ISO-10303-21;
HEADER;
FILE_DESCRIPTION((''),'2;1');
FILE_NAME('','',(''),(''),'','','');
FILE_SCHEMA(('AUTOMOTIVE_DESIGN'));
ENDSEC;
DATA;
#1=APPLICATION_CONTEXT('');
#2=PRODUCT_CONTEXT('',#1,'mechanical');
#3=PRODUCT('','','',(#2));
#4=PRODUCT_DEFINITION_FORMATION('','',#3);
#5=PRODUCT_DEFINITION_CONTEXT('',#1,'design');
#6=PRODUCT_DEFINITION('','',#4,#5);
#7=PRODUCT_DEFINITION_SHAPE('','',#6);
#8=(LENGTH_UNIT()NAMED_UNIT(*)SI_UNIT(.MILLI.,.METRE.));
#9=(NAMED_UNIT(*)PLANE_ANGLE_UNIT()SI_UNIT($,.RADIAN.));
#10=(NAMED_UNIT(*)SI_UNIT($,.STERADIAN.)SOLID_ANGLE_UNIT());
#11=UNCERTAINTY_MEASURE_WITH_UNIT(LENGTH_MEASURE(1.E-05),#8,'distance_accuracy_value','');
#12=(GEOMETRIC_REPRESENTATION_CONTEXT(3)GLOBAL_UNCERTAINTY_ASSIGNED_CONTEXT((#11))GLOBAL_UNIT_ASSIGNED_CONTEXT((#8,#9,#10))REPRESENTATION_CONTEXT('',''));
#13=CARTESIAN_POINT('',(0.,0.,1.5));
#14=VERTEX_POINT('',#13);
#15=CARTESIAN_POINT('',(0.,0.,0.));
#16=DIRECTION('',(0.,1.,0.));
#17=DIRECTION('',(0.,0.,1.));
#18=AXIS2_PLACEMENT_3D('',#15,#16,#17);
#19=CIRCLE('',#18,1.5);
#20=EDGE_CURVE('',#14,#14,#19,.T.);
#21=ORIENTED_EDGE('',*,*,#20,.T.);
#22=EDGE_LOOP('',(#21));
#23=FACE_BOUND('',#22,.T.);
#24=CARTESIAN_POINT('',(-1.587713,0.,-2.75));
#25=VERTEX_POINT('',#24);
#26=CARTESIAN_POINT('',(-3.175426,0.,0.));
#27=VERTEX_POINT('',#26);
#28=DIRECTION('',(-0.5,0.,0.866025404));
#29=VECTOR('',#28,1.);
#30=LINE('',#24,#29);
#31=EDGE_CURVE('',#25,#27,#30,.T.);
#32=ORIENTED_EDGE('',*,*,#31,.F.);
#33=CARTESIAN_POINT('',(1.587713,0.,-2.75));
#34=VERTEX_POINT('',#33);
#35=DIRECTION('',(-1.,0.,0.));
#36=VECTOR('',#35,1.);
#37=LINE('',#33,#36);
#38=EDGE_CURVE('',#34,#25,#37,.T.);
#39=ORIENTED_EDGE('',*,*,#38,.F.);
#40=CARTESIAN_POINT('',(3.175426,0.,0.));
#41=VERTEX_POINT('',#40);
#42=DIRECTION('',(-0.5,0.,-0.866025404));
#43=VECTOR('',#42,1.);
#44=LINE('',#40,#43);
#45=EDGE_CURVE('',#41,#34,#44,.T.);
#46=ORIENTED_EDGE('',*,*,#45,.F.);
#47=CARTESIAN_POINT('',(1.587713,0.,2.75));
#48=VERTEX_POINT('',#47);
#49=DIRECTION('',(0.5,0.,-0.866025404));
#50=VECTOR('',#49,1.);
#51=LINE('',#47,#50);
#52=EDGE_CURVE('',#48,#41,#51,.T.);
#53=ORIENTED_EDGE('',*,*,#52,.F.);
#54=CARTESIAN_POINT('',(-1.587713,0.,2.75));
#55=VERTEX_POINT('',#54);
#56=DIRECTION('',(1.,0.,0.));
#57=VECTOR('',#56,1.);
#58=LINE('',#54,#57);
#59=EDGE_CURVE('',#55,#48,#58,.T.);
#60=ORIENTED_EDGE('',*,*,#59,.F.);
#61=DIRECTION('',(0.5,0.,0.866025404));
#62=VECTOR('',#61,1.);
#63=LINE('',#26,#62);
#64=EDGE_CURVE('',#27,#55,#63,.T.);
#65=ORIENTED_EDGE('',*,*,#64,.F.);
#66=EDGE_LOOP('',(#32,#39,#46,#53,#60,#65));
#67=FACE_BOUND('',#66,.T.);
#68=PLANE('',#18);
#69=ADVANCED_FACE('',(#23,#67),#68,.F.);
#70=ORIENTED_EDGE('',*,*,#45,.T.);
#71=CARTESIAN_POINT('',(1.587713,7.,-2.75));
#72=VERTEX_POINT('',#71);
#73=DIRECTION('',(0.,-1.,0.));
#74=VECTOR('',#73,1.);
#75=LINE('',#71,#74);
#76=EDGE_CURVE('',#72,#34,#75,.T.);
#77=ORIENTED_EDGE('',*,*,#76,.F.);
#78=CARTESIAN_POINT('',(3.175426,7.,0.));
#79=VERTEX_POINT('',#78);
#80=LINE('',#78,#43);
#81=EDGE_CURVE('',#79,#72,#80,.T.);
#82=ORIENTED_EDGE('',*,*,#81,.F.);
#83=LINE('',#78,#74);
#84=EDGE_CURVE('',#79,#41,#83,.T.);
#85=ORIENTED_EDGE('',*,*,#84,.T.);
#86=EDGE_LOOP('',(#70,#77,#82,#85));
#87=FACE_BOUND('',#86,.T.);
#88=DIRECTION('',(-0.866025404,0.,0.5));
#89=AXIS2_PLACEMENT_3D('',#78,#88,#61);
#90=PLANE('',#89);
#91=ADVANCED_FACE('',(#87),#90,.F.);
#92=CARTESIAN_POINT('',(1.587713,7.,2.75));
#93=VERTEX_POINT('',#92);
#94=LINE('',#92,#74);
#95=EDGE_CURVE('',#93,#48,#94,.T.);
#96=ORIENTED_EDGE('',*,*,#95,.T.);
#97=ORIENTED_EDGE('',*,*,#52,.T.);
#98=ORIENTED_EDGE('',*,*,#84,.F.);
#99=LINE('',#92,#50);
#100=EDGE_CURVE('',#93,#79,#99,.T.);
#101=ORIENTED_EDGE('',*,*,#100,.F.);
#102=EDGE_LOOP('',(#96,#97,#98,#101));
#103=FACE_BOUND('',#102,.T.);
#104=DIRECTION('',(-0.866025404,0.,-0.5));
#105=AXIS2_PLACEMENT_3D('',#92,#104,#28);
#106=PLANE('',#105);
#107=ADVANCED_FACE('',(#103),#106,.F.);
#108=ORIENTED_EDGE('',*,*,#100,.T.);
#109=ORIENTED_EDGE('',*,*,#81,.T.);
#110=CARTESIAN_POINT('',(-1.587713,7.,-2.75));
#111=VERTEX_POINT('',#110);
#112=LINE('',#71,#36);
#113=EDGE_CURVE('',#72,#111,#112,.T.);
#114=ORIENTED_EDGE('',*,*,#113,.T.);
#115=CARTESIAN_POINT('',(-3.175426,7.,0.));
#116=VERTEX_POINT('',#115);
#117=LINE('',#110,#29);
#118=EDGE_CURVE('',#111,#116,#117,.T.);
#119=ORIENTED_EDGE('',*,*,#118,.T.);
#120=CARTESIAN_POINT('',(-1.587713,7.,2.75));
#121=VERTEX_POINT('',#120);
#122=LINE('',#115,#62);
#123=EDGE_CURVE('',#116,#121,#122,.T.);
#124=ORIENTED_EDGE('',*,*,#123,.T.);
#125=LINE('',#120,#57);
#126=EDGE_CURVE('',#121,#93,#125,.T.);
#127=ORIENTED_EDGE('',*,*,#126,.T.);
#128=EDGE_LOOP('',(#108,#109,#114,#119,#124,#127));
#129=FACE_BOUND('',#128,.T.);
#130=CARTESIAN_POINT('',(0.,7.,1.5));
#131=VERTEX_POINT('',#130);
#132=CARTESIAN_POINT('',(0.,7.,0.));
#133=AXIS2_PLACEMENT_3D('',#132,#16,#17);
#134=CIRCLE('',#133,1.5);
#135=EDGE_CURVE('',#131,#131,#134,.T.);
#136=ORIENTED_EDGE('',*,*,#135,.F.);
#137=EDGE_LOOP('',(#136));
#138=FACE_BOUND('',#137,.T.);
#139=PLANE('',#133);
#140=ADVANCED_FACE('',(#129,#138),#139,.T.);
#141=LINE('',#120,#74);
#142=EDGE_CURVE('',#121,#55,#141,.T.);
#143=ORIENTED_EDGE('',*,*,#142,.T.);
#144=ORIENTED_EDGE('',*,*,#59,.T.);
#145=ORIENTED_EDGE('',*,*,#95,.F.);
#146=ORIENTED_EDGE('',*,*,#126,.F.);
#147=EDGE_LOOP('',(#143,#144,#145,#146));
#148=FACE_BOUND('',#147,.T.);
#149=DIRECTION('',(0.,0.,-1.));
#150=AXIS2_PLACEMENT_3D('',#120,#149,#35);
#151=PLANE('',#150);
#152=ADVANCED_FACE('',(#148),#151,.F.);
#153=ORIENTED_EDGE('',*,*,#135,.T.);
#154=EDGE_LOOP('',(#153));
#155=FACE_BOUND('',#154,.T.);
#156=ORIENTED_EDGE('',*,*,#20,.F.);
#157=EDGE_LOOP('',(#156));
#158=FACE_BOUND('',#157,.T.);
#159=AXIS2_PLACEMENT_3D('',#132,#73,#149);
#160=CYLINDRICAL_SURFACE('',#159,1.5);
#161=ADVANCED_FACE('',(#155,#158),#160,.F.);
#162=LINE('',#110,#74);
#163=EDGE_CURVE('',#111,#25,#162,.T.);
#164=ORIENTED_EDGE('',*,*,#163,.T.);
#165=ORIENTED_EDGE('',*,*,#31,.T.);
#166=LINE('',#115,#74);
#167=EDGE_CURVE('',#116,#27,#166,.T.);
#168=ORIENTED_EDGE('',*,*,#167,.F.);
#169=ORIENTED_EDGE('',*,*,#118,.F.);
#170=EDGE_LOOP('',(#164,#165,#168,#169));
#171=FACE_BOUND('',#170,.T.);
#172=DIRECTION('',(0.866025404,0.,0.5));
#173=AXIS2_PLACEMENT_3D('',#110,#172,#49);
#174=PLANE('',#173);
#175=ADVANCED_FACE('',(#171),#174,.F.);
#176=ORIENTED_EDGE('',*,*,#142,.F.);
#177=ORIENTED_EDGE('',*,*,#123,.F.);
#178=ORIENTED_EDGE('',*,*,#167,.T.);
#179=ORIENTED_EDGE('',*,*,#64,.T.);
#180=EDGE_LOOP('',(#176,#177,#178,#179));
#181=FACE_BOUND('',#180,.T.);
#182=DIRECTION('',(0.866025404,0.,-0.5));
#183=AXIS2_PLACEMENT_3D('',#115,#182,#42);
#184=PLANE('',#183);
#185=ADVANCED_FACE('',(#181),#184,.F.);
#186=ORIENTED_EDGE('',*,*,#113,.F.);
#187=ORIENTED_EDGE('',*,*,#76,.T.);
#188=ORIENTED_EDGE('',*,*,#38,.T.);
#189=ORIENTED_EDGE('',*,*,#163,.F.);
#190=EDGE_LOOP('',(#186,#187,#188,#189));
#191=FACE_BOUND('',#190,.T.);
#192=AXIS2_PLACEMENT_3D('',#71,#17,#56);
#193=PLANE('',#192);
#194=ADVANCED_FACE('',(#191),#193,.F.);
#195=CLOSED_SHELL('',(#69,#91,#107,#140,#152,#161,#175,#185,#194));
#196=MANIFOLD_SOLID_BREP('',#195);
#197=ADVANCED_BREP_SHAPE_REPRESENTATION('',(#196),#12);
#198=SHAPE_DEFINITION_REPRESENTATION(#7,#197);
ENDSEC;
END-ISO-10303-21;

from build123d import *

# Parameters (mm, degrees)
SKETCH_1_R      = 1.5
EXTRUDE_1_DEPTH = 7


with BuildPart() as part:
    # 草图1 → 凸台-拉伸1 (new body)
    with BuildSketch(Plane(origin=(0, 0, 0), x_dir=(1, 0, 0), z_dir=(0, 1, 0))):
        Polygon((3.175426481, 0), (1.58771324, 2.75), (-1.58771324, 2.75), (-3.175426481, 0), (-1.58771324, -2.75), (1.58771324, -2.75), align=None)
        Circle(SKETCH_1_R, mode=Mode.SUBTRACT)
    extrude(amount=EXTRUDE_1_DEPTH)


solid = part.part
